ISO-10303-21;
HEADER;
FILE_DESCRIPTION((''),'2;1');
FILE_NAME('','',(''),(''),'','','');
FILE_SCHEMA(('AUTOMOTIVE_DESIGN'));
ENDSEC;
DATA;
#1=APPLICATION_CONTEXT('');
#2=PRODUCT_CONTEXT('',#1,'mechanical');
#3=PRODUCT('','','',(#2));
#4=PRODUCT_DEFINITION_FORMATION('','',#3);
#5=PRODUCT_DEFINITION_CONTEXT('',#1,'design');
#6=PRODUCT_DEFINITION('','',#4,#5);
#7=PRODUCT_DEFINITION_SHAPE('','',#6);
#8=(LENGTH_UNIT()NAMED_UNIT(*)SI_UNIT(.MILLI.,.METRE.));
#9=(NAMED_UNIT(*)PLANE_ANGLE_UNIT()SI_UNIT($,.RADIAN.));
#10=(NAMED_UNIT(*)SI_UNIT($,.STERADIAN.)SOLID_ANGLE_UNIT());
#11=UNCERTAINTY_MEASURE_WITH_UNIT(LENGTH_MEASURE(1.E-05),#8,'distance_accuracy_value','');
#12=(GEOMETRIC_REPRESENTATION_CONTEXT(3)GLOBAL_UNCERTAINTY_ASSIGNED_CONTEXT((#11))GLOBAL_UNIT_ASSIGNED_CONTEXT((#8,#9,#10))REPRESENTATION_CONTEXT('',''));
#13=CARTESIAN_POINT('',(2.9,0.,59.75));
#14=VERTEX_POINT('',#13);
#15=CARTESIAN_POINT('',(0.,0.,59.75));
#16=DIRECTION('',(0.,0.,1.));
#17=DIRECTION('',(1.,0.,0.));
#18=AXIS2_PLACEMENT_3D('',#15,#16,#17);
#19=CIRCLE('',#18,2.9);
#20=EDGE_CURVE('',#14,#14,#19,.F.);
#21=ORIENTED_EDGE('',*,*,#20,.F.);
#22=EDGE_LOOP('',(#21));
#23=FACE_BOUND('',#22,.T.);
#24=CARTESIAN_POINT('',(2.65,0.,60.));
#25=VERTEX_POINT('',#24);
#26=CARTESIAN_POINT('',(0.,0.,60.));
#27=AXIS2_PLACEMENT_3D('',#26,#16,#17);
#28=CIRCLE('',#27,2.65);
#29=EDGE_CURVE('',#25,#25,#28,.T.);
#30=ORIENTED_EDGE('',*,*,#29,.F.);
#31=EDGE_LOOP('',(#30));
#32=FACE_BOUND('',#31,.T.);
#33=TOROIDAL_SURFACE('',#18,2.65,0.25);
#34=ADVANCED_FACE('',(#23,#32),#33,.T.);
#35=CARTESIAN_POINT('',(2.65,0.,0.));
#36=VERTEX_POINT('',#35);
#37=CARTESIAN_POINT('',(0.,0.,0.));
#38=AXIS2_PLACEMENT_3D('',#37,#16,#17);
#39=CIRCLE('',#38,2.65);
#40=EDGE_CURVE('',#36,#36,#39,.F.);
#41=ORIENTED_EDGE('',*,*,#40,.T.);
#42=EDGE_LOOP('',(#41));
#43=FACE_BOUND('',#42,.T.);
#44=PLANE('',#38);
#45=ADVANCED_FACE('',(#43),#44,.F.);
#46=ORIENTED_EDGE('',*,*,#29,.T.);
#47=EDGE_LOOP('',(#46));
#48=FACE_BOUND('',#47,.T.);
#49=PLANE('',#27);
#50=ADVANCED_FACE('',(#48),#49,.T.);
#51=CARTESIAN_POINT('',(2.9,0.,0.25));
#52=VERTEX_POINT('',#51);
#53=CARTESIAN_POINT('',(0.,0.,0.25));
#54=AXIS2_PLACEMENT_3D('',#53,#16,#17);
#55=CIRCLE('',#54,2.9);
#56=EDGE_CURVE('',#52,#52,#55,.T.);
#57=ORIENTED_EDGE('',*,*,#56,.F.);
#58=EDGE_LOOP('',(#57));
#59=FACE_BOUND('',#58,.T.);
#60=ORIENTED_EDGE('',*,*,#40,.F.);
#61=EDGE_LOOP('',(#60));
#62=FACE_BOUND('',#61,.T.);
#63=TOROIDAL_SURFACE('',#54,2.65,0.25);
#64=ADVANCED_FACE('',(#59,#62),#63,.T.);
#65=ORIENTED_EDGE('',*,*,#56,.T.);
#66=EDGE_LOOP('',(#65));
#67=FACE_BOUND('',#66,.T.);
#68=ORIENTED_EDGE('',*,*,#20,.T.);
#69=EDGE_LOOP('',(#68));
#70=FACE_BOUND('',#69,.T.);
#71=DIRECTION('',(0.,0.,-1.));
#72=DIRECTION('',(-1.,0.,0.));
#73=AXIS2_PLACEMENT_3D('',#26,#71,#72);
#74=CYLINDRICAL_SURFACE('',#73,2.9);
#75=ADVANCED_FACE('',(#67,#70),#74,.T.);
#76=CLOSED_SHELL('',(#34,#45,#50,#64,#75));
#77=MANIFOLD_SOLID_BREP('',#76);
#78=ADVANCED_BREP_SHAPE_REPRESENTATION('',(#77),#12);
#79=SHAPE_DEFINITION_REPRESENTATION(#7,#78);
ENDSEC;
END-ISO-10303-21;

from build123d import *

# Parameters (mm, degrees)
SKETCH1_R           = 2.9
BOSS_EXTRUDE1_DEPTH = 60
FILLET4_R           = 0.25


with BuildPart() as part:
    # Sketch1 → Boss-Extrude1 (new body)
    with BuildSketch(Plane.XY):
        Circle(SKETCH1_R)
    extrude(amount=BOSS_EXTRUDE1_DEPTH)

    # Fillet4
    fillet4_edges = [part.edges().sort_by_distance(p)[0] for p in [
        (-2.9, 0, 0),
        (-2.9, 0, 60),
    ]]
    fillet(fillet4_edges, radius=FILLET4_R)


solid = part.part
